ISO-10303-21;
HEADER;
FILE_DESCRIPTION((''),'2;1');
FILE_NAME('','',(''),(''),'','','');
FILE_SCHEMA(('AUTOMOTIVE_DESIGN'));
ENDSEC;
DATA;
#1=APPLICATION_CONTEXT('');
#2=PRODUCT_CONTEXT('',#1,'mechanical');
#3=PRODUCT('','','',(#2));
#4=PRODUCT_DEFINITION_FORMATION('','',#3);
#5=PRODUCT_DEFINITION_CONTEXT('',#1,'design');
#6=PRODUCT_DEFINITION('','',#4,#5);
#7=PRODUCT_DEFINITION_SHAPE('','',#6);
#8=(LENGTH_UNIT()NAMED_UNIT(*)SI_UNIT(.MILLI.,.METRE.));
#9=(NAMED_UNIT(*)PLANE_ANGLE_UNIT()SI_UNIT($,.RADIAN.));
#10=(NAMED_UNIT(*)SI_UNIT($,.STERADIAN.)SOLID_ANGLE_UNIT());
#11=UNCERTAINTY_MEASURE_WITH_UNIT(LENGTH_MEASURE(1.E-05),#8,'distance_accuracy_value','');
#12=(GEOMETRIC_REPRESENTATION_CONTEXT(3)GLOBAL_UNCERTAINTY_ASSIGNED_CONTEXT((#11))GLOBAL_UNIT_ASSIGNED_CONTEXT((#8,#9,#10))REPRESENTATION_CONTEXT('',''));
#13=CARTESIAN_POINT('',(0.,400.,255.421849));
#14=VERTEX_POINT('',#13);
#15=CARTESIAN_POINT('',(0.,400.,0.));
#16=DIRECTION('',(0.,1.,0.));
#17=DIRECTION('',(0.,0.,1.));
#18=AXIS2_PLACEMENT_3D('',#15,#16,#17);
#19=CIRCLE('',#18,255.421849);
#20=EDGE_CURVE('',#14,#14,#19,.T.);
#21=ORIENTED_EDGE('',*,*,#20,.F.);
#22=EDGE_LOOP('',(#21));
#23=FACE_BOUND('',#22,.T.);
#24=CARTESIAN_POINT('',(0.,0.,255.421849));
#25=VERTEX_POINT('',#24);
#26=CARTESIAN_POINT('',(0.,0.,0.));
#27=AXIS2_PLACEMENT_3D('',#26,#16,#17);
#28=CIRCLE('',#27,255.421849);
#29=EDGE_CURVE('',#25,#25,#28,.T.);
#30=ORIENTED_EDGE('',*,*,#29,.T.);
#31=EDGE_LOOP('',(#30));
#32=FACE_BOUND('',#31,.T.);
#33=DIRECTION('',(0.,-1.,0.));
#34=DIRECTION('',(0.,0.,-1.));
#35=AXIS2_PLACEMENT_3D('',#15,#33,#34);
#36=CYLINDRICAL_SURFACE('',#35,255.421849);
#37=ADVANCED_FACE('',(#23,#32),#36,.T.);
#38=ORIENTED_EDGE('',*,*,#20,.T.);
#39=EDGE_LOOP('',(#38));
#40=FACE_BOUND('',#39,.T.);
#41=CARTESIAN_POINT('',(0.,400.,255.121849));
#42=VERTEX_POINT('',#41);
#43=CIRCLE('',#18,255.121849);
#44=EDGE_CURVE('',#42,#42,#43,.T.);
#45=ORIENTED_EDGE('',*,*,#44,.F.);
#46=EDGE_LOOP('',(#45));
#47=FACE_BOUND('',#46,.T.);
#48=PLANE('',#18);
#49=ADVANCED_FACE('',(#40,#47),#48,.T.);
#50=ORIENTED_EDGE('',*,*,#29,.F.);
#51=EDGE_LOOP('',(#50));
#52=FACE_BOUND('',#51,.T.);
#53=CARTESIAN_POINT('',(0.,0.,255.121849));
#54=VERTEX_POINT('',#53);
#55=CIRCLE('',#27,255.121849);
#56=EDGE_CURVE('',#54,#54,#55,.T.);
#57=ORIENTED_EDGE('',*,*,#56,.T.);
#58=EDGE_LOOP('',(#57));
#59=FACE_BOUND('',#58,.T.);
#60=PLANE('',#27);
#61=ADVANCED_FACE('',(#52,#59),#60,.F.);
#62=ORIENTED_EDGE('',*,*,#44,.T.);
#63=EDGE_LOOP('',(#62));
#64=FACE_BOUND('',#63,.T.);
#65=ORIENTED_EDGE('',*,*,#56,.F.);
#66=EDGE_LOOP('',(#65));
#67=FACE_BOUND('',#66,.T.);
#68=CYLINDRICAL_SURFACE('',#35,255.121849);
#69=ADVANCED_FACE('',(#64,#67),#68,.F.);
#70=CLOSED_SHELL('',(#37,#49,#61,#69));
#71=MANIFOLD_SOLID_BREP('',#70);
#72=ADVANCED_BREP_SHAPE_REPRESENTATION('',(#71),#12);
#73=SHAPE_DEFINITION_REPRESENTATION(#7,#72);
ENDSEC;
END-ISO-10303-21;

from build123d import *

# Parameters (mm, degrees)
SKETCH_1_R      = 255.42184874
SKETCH_1_R_2    = 255.12184874
EXTRUDE_1_DEPTH = 400


with BuildPart() as part:
    # 草图1 → 凸台-拉伸1 (new body)
    with BuildSketch(Plane(origin=(0, 0, 0), x_dir=(1, 0, 0), z_dir=(0, 1, 0))):
        Circle(SKETCH_1_R)
        Circle(SKETCH_1_R_2, mode=Mode.SUBTRACT)
    extrude(amount=EXTRUDE_1_DEPTH)


solid = part.part
